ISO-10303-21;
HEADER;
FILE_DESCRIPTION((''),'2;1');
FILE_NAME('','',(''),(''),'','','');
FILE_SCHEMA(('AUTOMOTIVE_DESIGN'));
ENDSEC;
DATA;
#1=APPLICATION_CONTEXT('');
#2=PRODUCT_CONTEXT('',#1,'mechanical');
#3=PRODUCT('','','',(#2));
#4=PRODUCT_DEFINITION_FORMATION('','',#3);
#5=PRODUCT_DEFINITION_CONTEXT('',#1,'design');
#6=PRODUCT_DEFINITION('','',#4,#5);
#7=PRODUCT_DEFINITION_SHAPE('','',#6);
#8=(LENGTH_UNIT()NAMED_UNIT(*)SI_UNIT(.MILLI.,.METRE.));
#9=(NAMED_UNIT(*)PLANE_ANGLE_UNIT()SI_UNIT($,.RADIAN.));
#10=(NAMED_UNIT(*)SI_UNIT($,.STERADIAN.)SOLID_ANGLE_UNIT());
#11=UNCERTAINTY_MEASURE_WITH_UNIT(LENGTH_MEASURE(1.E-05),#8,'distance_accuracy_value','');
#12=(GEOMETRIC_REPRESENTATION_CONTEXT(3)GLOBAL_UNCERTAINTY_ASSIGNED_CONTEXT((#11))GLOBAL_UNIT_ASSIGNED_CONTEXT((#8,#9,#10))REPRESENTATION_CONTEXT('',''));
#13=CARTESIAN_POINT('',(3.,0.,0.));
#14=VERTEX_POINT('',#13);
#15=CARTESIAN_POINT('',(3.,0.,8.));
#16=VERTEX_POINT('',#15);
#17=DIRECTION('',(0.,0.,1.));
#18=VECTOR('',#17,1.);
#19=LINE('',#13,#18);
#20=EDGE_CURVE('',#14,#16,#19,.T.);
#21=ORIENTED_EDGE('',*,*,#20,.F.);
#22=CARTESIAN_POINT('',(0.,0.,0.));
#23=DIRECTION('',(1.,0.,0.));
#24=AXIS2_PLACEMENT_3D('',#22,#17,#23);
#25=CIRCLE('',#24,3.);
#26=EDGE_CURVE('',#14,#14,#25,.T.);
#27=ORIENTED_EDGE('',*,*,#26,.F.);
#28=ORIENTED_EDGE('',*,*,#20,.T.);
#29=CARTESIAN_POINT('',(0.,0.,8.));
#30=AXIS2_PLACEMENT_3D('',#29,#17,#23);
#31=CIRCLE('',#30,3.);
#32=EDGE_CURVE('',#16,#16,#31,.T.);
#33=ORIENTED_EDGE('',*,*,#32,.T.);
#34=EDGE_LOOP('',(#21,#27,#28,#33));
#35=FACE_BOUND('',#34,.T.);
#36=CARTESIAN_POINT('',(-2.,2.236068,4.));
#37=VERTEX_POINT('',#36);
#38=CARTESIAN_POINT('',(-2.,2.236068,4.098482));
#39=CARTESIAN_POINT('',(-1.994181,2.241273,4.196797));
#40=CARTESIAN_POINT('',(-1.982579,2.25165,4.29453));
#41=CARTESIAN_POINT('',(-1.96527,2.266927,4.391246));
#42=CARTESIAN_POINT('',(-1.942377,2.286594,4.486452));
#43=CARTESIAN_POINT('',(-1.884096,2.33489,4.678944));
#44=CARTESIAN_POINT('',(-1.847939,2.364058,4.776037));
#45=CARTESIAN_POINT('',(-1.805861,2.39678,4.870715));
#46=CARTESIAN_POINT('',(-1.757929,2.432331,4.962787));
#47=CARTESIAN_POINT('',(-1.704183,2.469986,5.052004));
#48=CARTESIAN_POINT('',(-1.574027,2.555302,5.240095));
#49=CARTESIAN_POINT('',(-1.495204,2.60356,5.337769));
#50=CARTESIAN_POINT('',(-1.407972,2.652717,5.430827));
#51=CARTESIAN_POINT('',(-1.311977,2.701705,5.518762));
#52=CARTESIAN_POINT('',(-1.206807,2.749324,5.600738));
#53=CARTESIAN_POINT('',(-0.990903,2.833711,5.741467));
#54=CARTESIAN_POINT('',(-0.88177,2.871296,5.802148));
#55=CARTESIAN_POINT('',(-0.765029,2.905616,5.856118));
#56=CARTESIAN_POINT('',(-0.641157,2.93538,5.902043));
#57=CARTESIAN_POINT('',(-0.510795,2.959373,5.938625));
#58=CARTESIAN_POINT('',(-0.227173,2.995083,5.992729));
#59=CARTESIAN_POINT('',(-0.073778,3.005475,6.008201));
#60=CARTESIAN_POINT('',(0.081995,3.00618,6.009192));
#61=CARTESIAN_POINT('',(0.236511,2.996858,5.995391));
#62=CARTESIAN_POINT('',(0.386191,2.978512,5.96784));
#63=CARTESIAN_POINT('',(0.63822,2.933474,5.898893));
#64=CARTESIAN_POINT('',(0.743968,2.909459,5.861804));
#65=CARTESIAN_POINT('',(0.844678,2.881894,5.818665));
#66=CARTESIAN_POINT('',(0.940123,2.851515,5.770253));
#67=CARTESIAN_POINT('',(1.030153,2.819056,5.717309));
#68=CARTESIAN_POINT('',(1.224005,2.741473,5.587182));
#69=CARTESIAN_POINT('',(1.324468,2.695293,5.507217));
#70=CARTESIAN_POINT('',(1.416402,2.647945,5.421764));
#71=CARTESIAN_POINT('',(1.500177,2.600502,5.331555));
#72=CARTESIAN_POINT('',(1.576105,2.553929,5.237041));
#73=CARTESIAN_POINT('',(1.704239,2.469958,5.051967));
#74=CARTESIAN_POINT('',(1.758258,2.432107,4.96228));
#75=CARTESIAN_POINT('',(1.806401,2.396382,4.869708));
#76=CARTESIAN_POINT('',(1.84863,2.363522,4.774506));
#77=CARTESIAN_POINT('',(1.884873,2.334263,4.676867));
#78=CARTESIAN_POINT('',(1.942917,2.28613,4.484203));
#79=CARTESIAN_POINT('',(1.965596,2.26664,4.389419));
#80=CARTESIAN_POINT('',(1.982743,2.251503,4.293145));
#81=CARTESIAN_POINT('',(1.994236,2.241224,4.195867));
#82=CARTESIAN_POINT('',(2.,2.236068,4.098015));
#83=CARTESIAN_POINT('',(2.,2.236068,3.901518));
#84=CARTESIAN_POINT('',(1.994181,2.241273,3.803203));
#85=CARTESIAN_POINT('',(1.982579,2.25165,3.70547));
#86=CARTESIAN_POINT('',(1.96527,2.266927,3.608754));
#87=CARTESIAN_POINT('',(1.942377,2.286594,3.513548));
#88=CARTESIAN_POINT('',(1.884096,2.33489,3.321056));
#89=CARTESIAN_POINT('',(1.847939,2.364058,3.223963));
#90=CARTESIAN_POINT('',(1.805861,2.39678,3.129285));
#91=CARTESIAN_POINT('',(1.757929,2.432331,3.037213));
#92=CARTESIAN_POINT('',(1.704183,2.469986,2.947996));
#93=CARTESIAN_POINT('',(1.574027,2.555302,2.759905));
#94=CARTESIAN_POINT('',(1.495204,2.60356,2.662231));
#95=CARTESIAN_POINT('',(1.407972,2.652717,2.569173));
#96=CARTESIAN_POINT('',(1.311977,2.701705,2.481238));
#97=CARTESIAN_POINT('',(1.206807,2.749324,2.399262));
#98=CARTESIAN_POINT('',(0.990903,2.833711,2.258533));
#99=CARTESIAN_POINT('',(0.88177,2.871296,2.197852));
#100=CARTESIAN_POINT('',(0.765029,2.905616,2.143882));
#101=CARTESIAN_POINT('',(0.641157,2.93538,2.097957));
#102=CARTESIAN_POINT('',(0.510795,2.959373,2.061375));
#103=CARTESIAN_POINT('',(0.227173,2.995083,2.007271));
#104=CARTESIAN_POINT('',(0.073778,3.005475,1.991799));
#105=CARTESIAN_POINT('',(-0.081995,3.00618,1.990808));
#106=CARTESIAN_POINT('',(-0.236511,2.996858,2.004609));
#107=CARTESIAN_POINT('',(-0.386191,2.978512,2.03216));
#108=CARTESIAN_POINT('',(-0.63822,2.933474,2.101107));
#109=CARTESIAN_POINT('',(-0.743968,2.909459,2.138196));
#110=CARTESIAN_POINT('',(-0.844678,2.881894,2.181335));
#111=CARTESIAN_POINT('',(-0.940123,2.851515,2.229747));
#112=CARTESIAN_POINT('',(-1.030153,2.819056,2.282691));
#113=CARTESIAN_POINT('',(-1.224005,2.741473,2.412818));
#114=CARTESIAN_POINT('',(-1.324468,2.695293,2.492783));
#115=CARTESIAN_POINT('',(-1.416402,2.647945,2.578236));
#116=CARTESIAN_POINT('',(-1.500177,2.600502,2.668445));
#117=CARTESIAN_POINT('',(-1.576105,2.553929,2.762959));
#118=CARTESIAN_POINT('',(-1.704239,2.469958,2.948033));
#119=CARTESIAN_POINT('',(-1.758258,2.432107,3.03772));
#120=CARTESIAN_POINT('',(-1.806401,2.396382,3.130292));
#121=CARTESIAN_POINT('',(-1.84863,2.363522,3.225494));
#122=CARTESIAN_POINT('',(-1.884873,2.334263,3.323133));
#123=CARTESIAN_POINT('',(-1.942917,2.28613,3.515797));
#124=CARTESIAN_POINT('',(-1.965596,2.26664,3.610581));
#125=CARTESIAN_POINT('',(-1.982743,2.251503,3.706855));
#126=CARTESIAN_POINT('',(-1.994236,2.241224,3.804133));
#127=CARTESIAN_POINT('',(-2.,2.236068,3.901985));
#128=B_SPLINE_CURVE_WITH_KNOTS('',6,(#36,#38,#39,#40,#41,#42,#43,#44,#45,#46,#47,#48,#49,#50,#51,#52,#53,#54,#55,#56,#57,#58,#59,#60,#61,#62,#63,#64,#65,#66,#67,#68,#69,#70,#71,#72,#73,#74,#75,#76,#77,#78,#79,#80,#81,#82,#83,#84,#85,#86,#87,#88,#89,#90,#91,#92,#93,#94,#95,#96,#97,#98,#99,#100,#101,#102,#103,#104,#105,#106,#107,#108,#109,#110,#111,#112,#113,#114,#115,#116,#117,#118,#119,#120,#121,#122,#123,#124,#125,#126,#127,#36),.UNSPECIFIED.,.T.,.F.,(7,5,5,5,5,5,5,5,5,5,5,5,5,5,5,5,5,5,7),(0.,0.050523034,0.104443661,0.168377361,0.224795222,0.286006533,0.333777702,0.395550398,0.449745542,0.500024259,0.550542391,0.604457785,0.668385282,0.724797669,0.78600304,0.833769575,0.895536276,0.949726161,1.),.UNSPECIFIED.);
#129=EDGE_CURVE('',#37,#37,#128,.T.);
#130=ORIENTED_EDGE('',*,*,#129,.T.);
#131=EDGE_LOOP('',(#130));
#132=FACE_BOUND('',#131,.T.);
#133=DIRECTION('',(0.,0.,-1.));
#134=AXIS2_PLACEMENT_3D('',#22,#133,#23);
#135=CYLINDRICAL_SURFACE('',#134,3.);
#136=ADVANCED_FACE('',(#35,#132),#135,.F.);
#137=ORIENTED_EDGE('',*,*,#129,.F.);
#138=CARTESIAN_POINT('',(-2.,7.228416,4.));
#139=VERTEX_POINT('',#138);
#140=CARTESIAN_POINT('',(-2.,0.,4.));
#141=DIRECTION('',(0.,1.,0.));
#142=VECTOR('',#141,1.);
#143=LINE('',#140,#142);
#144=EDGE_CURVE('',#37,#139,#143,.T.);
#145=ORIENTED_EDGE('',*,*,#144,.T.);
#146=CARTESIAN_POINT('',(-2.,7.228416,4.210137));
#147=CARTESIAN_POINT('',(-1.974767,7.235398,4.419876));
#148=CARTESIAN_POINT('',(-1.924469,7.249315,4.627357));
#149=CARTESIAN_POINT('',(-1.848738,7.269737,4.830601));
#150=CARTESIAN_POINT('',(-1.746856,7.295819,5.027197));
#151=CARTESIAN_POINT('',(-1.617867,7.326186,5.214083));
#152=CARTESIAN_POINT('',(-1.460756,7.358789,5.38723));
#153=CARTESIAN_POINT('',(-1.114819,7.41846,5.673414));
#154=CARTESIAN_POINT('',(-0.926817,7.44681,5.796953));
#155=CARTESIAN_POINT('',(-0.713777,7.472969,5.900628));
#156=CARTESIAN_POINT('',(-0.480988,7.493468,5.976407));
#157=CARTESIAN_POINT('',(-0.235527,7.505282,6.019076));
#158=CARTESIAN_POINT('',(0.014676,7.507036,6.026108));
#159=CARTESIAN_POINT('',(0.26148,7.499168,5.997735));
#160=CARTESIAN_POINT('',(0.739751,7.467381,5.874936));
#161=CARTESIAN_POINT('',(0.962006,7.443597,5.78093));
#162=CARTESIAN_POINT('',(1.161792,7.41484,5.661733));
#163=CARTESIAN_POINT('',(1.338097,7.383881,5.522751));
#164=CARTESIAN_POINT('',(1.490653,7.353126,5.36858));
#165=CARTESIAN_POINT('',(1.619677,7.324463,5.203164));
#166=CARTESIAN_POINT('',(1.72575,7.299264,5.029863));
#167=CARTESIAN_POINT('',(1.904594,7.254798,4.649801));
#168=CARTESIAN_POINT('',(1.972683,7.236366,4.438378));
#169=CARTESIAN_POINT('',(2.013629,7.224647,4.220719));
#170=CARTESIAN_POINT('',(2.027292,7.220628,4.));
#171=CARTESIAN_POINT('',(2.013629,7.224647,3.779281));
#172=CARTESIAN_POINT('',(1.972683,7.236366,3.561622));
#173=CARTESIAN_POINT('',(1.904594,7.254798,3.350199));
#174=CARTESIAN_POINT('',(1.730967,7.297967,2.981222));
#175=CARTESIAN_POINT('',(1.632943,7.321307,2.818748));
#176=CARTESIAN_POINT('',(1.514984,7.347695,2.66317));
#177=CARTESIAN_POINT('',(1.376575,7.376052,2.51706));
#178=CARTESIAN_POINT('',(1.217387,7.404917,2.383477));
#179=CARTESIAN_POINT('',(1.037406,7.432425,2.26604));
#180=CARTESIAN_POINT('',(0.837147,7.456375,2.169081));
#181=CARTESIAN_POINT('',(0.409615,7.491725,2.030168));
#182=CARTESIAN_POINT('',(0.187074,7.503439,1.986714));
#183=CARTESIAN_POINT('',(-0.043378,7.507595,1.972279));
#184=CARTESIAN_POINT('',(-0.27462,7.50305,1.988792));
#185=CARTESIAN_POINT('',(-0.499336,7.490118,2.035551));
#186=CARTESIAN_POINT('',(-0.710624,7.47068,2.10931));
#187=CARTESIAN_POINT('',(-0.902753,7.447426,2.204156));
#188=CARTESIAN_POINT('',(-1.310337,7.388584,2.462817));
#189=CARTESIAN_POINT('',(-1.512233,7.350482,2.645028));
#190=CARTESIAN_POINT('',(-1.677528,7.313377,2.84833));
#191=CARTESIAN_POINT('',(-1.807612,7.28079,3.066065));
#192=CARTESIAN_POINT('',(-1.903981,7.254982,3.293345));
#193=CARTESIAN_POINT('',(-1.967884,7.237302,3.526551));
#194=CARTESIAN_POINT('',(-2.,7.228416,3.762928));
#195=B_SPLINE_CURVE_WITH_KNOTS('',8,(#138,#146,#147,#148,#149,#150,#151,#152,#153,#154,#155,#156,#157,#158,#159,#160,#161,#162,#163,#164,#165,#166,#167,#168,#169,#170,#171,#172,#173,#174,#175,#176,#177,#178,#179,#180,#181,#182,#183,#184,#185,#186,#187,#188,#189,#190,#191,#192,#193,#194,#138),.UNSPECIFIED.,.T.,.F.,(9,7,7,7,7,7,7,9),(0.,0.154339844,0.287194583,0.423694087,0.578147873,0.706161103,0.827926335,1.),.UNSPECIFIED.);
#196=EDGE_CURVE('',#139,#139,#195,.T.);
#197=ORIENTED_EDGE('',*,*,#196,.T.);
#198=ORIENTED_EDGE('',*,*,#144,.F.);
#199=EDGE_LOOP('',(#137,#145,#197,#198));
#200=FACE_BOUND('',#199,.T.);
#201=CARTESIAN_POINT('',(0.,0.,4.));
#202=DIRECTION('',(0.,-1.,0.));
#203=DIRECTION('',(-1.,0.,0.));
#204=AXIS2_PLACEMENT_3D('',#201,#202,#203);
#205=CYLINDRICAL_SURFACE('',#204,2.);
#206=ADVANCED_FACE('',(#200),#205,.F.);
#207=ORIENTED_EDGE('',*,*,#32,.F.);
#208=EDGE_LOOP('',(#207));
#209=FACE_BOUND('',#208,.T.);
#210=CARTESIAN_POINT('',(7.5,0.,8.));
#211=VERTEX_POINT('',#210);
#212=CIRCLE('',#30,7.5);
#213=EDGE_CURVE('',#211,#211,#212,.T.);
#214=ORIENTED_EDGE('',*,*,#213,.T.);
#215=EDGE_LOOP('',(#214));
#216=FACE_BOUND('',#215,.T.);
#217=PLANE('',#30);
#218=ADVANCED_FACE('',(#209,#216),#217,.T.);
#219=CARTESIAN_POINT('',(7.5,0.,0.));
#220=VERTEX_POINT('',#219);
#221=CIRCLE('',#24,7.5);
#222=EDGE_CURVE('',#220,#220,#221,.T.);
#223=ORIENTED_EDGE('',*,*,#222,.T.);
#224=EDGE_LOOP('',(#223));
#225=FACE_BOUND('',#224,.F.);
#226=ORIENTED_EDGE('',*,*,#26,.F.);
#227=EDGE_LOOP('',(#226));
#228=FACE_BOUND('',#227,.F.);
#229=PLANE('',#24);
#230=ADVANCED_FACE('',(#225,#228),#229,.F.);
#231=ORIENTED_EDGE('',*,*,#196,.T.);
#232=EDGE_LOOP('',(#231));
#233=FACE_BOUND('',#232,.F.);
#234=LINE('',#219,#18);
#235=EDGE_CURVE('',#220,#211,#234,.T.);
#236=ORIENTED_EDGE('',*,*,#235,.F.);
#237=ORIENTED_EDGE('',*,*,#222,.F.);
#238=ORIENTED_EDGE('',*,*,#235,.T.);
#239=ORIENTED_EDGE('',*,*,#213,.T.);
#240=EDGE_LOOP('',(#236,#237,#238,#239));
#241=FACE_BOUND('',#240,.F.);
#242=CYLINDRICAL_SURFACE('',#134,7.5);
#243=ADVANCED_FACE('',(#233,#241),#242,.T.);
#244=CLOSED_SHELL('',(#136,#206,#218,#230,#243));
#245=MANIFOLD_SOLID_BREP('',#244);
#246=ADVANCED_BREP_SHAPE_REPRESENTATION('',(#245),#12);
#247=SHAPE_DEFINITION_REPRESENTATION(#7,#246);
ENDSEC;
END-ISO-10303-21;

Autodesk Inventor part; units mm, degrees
ref_plane "YZ Plane" through (0, 0, 0) normal (1, 0, 0) x (0, 1, 0)
ref_plane "XZ Plane" through (0, 0, 0) normal (0, 1, 0) x (-1, 0, 0)
ref_plane "XY Plane" through (0, 0, 0) normal (0, 0, 1) x (1, 0, 0)
sketch "スケッチ1" plane through (0, 0, 0) normal (0, 0, 1) x (1, 0, 0)
  circle A0 centre (0, 0) radius 3
  circle A1 centre (0, 0) radius 7.5
  dimension "d0" = 6
  dimension "d1" = 15
extrude "押し出し1" add sketch "スケッチ1" along normal blind 8
sketch "スケッチ2" plane through (0, 0, 0) normal (0, 1, 0) x (-1, 0, 0)
  line L0 (7.5, 8) -> (-7.5, 8) projected
  line L1 (-7.5, 0) -> (7.5, 0) projected
  line L2 (-3, 0) -> (-3, 8) projected
  line L3 (3, 0) -> (3, 8) projected
  circle A0 centre (0, 4) radius 2
  point P0 (0, 0)
  dimension "d4" = 4
  dimension "d5" = 4
  dimension "d6" = 3
extrude "押し出し2" cut sketch "スケッチ2" along normal through all contours A0
properties part number "ジュラコンセットカラー061508" material "アセタール樹脂、白"
